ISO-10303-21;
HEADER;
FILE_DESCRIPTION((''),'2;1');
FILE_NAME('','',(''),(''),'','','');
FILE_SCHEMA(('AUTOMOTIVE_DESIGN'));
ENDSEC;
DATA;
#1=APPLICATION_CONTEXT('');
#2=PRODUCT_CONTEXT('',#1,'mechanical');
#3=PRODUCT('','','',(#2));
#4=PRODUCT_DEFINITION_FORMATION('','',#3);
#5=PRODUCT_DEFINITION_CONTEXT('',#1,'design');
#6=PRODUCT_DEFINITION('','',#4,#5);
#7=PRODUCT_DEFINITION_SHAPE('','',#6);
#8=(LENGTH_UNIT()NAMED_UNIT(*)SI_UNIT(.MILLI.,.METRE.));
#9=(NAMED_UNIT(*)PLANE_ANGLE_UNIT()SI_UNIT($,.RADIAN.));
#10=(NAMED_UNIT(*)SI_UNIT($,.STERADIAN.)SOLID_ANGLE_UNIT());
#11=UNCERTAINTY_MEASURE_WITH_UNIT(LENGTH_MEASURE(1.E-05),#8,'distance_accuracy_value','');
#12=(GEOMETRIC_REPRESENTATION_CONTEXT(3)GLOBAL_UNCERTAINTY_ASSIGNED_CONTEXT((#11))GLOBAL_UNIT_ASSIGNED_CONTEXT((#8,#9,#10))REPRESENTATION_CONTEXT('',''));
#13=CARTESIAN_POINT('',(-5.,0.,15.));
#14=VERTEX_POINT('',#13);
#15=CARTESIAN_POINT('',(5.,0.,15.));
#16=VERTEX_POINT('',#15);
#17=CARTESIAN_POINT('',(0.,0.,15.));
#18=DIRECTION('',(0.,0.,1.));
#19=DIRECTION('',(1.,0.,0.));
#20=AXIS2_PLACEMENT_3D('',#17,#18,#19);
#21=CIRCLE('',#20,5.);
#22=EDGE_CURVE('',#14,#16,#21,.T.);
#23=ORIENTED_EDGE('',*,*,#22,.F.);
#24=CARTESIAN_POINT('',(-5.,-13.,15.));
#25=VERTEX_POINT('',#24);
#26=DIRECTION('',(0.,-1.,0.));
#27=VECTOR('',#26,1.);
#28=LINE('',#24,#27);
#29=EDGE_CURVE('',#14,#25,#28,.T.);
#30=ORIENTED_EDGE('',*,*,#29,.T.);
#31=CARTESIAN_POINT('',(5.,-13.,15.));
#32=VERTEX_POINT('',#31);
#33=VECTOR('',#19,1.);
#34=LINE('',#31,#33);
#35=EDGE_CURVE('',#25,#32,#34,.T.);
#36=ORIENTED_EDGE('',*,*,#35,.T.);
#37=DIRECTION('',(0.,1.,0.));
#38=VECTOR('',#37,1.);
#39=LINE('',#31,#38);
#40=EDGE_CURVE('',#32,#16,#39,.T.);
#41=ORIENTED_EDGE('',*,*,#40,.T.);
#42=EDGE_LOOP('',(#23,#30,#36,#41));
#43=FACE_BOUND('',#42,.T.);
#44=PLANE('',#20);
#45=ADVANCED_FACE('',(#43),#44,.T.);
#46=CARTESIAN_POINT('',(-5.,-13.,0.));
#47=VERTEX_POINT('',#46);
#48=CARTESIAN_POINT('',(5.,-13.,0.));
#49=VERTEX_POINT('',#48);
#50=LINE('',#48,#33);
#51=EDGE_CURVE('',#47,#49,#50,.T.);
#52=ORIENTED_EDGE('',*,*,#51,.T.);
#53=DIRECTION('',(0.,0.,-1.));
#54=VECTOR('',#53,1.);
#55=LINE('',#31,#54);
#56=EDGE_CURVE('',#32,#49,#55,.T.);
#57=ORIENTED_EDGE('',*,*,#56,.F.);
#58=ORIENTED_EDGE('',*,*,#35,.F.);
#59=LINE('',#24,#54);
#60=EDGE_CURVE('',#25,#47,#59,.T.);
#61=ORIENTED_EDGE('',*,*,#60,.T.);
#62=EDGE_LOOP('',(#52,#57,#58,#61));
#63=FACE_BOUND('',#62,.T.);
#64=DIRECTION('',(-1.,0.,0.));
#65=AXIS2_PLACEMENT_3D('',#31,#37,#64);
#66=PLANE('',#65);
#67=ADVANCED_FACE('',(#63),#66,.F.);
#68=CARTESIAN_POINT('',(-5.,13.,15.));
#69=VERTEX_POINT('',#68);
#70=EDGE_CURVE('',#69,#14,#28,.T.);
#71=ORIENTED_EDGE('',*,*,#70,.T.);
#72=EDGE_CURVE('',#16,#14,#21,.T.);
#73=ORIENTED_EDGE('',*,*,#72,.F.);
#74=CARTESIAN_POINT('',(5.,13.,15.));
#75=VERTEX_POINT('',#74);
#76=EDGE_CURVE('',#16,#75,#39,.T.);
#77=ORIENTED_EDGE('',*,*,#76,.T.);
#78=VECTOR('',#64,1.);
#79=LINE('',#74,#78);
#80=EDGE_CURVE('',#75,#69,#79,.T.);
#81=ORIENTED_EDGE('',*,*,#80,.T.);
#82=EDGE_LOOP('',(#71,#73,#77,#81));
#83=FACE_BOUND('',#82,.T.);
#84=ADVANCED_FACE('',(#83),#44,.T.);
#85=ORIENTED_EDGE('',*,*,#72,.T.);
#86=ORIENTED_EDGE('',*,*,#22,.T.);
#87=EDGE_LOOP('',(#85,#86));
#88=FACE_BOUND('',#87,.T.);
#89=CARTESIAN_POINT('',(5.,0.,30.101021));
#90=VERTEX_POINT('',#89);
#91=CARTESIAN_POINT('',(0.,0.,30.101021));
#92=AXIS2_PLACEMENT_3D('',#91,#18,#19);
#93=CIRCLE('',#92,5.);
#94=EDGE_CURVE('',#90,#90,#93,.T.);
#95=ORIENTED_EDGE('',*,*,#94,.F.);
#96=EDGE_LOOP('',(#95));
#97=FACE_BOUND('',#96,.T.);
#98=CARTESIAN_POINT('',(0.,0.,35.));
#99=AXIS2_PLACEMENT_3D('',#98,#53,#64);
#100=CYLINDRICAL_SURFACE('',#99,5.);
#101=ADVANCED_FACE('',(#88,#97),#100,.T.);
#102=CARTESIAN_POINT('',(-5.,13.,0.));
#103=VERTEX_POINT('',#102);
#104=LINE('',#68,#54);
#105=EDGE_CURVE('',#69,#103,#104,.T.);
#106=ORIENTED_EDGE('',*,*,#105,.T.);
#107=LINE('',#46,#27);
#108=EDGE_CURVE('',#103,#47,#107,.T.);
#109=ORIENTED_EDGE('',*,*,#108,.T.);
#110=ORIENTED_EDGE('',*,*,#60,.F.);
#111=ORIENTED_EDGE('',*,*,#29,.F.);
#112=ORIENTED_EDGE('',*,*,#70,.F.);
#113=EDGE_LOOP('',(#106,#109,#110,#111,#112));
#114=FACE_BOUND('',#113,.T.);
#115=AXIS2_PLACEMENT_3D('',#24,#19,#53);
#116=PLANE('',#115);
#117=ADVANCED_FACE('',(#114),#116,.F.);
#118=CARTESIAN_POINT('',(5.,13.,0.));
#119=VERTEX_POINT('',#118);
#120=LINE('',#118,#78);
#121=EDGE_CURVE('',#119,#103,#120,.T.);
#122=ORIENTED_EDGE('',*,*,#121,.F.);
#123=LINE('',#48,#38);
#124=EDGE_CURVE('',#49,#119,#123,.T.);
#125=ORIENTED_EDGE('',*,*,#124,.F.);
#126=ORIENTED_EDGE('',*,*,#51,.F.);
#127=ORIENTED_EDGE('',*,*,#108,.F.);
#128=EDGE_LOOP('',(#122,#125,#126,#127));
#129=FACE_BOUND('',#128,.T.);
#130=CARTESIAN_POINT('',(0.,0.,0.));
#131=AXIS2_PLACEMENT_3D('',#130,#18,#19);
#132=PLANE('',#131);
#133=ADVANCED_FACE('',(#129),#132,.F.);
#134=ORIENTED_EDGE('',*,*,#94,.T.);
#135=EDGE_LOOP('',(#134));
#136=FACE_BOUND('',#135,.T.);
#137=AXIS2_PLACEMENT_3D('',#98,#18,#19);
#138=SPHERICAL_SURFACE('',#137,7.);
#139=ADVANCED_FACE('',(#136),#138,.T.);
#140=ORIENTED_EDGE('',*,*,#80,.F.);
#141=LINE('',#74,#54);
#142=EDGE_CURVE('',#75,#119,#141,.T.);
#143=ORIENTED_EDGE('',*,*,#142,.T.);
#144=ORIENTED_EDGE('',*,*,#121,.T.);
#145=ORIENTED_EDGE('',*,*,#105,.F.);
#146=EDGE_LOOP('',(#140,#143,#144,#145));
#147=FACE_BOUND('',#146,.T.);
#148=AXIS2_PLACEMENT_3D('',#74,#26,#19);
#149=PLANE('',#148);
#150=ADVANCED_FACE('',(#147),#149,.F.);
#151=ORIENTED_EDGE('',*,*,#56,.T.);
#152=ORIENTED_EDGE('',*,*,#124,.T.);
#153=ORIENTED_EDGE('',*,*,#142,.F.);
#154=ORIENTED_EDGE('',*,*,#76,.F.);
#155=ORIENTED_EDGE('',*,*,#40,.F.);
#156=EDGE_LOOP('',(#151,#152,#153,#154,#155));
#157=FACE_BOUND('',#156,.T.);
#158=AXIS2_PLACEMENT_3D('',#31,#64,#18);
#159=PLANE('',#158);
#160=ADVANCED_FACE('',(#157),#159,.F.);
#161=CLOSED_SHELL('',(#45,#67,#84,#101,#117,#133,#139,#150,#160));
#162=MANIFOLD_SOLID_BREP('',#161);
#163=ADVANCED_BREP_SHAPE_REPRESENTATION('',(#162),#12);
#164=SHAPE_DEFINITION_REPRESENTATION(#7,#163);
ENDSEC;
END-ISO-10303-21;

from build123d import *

# Parameters (mm, degrees)
SKETCH1_W           = 10
SKETCH1_H           = 26
BOSS_EXTRUDE1_DEPTH = 15
SKETCH2_R           = 5
BOSS_EXTRUDE2_DEPTH = 20


with BuildPart() as part:
    # Sketch1 → Boss-Extrude1 (new body)
    with BuildSketch(Plane.XY):
        Rectangle(SKETCH1_W, SKETCH1_H)
    extrude(amount=BOSS_EXTRUDE1_DEPTH)

    # Sketch2 → Boss-Extrude2 (add)
    with BuildSketch(Plane.XY.offset(15)):
        Circle(SKETCH2_R)
    extrude(amount=BOSS_EXTRUDE2_DEPTH)

    # Sketch3 → Revolve1 (revolve)
    with BuildSketch(Plane.XY.offset(35)):
        with BuildLine():
            Line((-7, 0), (7, 0))
            ThreePointArc((7, 0), (0, 7), (-7, 0))
        make_face()
    revolve(axis=Axis((-7, 0, 35), (1, 0, 0)))


solid = part.part
